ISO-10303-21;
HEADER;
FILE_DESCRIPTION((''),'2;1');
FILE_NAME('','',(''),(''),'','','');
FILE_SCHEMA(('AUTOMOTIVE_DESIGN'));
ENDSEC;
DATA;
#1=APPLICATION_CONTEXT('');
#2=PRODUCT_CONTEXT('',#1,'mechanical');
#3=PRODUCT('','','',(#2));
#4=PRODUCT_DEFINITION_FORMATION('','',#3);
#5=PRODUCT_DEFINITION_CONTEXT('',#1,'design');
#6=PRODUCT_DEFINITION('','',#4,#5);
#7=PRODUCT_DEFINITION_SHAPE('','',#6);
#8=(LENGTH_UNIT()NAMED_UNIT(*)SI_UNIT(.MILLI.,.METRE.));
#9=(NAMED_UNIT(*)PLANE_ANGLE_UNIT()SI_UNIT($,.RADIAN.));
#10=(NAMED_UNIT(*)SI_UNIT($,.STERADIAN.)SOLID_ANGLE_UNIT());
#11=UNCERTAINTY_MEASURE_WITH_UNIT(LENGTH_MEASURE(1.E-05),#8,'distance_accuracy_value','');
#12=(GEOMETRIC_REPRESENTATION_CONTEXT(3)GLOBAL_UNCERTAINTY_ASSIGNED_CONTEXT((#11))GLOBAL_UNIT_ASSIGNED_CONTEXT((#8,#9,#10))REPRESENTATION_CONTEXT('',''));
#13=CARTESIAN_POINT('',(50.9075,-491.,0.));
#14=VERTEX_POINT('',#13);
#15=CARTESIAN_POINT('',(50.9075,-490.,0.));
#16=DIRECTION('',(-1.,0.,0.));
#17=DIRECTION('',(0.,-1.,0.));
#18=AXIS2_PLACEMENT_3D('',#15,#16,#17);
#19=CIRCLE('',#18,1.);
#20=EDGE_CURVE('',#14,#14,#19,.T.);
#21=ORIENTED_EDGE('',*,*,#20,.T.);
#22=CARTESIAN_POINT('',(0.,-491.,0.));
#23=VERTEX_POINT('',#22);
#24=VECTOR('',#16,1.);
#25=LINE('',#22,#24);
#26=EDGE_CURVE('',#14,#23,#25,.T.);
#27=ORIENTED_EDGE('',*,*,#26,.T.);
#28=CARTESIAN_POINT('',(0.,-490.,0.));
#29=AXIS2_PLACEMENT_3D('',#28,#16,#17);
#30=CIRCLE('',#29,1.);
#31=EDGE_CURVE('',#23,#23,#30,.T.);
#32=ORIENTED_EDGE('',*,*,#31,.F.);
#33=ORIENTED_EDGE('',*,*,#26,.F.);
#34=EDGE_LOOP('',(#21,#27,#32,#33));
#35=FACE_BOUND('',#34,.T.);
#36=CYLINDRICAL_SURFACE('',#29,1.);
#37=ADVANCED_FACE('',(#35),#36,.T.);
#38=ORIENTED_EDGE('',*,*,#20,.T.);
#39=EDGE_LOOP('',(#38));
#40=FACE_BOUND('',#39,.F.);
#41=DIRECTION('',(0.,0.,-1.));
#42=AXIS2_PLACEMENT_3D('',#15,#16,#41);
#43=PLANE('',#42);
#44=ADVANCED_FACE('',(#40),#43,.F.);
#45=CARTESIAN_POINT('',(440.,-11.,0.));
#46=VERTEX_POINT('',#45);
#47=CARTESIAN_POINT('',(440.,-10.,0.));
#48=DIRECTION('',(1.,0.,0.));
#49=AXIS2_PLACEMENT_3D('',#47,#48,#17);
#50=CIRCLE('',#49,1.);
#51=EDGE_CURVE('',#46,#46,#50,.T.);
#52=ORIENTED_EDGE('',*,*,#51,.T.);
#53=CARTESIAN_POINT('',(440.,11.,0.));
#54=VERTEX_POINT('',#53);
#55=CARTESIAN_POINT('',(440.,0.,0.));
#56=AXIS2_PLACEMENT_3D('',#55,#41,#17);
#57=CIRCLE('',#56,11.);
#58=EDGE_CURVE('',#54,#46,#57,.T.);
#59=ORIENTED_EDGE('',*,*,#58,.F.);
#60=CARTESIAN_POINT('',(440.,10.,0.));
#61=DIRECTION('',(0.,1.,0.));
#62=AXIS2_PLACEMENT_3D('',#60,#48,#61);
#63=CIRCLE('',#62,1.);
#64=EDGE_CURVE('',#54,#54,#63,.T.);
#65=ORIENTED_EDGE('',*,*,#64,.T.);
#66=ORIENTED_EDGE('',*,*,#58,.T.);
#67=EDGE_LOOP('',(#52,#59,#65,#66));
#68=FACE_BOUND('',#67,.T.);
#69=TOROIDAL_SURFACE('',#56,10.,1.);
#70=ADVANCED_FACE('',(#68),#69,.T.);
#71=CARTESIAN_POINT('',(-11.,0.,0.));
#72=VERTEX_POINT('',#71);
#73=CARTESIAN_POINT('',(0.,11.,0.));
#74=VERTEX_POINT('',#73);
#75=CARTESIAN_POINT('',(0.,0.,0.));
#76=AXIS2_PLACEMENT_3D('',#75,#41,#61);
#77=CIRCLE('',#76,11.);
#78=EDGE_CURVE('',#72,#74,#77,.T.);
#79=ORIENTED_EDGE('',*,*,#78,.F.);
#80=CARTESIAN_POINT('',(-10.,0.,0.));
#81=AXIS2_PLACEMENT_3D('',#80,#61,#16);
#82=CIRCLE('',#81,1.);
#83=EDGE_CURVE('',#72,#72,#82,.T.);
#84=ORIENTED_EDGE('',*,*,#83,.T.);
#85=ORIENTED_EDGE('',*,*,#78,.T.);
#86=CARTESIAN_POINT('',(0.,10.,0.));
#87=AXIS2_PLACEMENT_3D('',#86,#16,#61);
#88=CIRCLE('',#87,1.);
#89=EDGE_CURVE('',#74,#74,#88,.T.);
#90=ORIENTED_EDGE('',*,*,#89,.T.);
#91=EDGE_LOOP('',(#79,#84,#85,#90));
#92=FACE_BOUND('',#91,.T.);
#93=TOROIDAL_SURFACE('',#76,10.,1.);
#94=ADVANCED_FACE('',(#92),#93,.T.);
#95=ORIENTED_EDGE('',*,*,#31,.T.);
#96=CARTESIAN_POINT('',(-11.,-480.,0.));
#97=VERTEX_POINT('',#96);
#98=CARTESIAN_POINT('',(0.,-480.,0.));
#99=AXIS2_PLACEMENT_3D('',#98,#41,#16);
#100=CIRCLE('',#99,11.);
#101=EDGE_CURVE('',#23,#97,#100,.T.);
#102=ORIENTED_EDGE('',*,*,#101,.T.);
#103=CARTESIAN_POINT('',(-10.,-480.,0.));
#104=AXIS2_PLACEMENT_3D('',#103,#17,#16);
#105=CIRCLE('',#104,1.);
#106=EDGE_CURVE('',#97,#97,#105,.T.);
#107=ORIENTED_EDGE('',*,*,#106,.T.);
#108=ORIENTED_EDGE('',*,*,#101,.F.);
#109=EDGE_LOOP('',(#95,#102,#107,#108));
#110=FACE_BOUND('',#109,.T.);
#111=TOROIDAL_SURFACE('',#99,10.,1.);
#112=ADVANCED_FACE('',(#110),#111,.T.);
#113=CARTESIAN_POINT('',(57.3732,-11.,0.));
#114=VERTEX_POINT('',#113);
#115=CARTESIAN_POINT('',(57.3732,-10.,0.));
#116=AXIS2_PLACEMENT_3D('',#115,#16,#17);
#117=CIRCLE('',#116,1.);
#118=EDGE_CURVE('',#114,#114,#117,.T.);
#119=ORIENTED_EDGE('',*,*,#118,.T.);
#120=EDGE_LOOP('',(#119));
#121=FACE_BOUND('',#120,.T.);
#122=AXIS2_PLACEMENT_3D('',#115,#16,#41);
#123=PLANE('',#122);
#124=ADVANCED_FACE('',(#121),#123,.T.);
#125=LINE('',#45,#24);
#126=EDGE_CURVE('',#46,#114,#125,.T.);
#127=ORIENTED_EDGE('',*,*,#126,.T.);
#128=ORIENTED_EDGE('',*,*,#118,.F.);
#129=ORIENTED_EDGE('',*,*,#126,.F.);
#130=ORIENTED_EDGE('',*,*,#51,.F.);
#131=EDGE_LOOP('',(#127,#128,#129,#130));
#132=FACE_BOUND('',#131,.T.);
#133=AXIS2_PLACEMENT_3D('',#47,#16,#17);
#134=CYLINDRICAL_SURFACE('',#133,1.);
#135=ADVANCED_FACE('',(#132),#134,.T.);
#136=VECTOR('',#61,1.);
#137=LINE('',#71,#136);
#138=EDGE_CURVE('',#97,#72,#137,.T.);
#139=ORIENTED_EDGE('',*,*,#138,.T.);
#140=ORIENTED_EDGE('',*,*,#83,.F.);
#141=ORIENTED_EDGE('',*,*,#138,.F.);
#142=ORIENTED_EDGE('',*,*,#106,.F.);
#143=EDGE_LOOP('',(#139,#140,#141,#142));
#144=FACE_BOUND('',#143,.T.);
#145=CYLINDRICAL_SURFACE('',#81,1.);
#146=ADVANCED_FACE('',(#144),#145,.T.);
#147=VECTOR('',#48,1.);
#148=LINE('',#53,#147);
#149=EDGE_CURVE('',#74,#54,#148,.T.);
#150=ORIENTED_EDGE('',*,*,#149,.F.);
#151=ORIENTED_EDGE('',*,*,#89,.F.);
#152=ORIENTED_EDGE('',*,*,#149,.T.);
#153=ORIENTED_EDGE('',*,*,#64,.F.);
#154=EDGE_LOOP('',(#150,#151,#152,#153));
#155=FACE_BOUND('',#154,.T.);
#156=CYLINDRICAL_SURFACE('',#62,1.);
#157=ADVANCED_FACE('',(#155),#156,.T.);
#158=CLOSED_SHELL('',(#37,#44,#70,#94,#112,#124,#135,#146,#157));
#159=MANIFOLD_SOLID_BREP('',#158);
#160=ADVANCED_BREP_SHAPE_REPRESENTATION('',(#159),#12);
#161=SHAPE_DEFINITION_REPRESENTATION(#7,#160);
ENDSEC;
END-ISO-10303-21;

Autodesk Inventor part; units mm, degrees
ref_plane "YZ Plane" through (0, 0, 0) normal (1, 0, 0) x (0, 1, 0)
ref_plane "XZ Plane" through (0, 0, 0) normal (0, 1, 0) x (-1, 0, 0)
ref_plane "XY Plane" through (0, 0, 0) normal (0, 0, 1) x (1, 0, 0)
ref_plane "Arbeitsebene1" through (0, 0, 0) normal (0, 0, 1) x (1, 0, 0)
sketch "Skizze5" plane through (0, 0, 0) normal (0, 0, 1) x (1, 0, 0)
  circle A0 centre (0, 0) radius 10 projected
  circle A1 centre (440, 0) radius 10 projected
  line L0 (440, 10) -> (0, 10)
  arc A2 (0, 10) -> (-10, 0) centre (0, 0) ccw
  arc A3 (440, -10) -> (440, 10) centre (440, 0) ccw
  line L1 (440, -10) -> (57.3732, -10)
  circle A4 centre (0, -480) radius 10 projected
  line L2 (-10, 0) -> (-10, -480)
  line L3 (0, -490) -> (50.9075, -490)
  arc A5 (-10, -480) -> (0, -490) centre (0, -480) ccw
  arc A6 (440, -10) -> (440, 10) centre (440, 0) ccw
  point P0 (0, 0)
ref_plane "Arbeitsebene4" through (57.3732, -10, 0) normal (-1, 0, 0) x (0, -1, 0)
sketch "Skizze6" plane through (57.3732, -10, 0) normal (-1, 0, 0) x (0, -1, 0)
  circle A0 centre (0, 0) radius 1
  point P0 (-10, 0)
  dimension "d3" = 2
sweep "Sweeping2" add profiles "Skizze6" path "Skizze5" path curves L1 A6 L0 A2 L2 A5 L3
properties part number "Seil1"
